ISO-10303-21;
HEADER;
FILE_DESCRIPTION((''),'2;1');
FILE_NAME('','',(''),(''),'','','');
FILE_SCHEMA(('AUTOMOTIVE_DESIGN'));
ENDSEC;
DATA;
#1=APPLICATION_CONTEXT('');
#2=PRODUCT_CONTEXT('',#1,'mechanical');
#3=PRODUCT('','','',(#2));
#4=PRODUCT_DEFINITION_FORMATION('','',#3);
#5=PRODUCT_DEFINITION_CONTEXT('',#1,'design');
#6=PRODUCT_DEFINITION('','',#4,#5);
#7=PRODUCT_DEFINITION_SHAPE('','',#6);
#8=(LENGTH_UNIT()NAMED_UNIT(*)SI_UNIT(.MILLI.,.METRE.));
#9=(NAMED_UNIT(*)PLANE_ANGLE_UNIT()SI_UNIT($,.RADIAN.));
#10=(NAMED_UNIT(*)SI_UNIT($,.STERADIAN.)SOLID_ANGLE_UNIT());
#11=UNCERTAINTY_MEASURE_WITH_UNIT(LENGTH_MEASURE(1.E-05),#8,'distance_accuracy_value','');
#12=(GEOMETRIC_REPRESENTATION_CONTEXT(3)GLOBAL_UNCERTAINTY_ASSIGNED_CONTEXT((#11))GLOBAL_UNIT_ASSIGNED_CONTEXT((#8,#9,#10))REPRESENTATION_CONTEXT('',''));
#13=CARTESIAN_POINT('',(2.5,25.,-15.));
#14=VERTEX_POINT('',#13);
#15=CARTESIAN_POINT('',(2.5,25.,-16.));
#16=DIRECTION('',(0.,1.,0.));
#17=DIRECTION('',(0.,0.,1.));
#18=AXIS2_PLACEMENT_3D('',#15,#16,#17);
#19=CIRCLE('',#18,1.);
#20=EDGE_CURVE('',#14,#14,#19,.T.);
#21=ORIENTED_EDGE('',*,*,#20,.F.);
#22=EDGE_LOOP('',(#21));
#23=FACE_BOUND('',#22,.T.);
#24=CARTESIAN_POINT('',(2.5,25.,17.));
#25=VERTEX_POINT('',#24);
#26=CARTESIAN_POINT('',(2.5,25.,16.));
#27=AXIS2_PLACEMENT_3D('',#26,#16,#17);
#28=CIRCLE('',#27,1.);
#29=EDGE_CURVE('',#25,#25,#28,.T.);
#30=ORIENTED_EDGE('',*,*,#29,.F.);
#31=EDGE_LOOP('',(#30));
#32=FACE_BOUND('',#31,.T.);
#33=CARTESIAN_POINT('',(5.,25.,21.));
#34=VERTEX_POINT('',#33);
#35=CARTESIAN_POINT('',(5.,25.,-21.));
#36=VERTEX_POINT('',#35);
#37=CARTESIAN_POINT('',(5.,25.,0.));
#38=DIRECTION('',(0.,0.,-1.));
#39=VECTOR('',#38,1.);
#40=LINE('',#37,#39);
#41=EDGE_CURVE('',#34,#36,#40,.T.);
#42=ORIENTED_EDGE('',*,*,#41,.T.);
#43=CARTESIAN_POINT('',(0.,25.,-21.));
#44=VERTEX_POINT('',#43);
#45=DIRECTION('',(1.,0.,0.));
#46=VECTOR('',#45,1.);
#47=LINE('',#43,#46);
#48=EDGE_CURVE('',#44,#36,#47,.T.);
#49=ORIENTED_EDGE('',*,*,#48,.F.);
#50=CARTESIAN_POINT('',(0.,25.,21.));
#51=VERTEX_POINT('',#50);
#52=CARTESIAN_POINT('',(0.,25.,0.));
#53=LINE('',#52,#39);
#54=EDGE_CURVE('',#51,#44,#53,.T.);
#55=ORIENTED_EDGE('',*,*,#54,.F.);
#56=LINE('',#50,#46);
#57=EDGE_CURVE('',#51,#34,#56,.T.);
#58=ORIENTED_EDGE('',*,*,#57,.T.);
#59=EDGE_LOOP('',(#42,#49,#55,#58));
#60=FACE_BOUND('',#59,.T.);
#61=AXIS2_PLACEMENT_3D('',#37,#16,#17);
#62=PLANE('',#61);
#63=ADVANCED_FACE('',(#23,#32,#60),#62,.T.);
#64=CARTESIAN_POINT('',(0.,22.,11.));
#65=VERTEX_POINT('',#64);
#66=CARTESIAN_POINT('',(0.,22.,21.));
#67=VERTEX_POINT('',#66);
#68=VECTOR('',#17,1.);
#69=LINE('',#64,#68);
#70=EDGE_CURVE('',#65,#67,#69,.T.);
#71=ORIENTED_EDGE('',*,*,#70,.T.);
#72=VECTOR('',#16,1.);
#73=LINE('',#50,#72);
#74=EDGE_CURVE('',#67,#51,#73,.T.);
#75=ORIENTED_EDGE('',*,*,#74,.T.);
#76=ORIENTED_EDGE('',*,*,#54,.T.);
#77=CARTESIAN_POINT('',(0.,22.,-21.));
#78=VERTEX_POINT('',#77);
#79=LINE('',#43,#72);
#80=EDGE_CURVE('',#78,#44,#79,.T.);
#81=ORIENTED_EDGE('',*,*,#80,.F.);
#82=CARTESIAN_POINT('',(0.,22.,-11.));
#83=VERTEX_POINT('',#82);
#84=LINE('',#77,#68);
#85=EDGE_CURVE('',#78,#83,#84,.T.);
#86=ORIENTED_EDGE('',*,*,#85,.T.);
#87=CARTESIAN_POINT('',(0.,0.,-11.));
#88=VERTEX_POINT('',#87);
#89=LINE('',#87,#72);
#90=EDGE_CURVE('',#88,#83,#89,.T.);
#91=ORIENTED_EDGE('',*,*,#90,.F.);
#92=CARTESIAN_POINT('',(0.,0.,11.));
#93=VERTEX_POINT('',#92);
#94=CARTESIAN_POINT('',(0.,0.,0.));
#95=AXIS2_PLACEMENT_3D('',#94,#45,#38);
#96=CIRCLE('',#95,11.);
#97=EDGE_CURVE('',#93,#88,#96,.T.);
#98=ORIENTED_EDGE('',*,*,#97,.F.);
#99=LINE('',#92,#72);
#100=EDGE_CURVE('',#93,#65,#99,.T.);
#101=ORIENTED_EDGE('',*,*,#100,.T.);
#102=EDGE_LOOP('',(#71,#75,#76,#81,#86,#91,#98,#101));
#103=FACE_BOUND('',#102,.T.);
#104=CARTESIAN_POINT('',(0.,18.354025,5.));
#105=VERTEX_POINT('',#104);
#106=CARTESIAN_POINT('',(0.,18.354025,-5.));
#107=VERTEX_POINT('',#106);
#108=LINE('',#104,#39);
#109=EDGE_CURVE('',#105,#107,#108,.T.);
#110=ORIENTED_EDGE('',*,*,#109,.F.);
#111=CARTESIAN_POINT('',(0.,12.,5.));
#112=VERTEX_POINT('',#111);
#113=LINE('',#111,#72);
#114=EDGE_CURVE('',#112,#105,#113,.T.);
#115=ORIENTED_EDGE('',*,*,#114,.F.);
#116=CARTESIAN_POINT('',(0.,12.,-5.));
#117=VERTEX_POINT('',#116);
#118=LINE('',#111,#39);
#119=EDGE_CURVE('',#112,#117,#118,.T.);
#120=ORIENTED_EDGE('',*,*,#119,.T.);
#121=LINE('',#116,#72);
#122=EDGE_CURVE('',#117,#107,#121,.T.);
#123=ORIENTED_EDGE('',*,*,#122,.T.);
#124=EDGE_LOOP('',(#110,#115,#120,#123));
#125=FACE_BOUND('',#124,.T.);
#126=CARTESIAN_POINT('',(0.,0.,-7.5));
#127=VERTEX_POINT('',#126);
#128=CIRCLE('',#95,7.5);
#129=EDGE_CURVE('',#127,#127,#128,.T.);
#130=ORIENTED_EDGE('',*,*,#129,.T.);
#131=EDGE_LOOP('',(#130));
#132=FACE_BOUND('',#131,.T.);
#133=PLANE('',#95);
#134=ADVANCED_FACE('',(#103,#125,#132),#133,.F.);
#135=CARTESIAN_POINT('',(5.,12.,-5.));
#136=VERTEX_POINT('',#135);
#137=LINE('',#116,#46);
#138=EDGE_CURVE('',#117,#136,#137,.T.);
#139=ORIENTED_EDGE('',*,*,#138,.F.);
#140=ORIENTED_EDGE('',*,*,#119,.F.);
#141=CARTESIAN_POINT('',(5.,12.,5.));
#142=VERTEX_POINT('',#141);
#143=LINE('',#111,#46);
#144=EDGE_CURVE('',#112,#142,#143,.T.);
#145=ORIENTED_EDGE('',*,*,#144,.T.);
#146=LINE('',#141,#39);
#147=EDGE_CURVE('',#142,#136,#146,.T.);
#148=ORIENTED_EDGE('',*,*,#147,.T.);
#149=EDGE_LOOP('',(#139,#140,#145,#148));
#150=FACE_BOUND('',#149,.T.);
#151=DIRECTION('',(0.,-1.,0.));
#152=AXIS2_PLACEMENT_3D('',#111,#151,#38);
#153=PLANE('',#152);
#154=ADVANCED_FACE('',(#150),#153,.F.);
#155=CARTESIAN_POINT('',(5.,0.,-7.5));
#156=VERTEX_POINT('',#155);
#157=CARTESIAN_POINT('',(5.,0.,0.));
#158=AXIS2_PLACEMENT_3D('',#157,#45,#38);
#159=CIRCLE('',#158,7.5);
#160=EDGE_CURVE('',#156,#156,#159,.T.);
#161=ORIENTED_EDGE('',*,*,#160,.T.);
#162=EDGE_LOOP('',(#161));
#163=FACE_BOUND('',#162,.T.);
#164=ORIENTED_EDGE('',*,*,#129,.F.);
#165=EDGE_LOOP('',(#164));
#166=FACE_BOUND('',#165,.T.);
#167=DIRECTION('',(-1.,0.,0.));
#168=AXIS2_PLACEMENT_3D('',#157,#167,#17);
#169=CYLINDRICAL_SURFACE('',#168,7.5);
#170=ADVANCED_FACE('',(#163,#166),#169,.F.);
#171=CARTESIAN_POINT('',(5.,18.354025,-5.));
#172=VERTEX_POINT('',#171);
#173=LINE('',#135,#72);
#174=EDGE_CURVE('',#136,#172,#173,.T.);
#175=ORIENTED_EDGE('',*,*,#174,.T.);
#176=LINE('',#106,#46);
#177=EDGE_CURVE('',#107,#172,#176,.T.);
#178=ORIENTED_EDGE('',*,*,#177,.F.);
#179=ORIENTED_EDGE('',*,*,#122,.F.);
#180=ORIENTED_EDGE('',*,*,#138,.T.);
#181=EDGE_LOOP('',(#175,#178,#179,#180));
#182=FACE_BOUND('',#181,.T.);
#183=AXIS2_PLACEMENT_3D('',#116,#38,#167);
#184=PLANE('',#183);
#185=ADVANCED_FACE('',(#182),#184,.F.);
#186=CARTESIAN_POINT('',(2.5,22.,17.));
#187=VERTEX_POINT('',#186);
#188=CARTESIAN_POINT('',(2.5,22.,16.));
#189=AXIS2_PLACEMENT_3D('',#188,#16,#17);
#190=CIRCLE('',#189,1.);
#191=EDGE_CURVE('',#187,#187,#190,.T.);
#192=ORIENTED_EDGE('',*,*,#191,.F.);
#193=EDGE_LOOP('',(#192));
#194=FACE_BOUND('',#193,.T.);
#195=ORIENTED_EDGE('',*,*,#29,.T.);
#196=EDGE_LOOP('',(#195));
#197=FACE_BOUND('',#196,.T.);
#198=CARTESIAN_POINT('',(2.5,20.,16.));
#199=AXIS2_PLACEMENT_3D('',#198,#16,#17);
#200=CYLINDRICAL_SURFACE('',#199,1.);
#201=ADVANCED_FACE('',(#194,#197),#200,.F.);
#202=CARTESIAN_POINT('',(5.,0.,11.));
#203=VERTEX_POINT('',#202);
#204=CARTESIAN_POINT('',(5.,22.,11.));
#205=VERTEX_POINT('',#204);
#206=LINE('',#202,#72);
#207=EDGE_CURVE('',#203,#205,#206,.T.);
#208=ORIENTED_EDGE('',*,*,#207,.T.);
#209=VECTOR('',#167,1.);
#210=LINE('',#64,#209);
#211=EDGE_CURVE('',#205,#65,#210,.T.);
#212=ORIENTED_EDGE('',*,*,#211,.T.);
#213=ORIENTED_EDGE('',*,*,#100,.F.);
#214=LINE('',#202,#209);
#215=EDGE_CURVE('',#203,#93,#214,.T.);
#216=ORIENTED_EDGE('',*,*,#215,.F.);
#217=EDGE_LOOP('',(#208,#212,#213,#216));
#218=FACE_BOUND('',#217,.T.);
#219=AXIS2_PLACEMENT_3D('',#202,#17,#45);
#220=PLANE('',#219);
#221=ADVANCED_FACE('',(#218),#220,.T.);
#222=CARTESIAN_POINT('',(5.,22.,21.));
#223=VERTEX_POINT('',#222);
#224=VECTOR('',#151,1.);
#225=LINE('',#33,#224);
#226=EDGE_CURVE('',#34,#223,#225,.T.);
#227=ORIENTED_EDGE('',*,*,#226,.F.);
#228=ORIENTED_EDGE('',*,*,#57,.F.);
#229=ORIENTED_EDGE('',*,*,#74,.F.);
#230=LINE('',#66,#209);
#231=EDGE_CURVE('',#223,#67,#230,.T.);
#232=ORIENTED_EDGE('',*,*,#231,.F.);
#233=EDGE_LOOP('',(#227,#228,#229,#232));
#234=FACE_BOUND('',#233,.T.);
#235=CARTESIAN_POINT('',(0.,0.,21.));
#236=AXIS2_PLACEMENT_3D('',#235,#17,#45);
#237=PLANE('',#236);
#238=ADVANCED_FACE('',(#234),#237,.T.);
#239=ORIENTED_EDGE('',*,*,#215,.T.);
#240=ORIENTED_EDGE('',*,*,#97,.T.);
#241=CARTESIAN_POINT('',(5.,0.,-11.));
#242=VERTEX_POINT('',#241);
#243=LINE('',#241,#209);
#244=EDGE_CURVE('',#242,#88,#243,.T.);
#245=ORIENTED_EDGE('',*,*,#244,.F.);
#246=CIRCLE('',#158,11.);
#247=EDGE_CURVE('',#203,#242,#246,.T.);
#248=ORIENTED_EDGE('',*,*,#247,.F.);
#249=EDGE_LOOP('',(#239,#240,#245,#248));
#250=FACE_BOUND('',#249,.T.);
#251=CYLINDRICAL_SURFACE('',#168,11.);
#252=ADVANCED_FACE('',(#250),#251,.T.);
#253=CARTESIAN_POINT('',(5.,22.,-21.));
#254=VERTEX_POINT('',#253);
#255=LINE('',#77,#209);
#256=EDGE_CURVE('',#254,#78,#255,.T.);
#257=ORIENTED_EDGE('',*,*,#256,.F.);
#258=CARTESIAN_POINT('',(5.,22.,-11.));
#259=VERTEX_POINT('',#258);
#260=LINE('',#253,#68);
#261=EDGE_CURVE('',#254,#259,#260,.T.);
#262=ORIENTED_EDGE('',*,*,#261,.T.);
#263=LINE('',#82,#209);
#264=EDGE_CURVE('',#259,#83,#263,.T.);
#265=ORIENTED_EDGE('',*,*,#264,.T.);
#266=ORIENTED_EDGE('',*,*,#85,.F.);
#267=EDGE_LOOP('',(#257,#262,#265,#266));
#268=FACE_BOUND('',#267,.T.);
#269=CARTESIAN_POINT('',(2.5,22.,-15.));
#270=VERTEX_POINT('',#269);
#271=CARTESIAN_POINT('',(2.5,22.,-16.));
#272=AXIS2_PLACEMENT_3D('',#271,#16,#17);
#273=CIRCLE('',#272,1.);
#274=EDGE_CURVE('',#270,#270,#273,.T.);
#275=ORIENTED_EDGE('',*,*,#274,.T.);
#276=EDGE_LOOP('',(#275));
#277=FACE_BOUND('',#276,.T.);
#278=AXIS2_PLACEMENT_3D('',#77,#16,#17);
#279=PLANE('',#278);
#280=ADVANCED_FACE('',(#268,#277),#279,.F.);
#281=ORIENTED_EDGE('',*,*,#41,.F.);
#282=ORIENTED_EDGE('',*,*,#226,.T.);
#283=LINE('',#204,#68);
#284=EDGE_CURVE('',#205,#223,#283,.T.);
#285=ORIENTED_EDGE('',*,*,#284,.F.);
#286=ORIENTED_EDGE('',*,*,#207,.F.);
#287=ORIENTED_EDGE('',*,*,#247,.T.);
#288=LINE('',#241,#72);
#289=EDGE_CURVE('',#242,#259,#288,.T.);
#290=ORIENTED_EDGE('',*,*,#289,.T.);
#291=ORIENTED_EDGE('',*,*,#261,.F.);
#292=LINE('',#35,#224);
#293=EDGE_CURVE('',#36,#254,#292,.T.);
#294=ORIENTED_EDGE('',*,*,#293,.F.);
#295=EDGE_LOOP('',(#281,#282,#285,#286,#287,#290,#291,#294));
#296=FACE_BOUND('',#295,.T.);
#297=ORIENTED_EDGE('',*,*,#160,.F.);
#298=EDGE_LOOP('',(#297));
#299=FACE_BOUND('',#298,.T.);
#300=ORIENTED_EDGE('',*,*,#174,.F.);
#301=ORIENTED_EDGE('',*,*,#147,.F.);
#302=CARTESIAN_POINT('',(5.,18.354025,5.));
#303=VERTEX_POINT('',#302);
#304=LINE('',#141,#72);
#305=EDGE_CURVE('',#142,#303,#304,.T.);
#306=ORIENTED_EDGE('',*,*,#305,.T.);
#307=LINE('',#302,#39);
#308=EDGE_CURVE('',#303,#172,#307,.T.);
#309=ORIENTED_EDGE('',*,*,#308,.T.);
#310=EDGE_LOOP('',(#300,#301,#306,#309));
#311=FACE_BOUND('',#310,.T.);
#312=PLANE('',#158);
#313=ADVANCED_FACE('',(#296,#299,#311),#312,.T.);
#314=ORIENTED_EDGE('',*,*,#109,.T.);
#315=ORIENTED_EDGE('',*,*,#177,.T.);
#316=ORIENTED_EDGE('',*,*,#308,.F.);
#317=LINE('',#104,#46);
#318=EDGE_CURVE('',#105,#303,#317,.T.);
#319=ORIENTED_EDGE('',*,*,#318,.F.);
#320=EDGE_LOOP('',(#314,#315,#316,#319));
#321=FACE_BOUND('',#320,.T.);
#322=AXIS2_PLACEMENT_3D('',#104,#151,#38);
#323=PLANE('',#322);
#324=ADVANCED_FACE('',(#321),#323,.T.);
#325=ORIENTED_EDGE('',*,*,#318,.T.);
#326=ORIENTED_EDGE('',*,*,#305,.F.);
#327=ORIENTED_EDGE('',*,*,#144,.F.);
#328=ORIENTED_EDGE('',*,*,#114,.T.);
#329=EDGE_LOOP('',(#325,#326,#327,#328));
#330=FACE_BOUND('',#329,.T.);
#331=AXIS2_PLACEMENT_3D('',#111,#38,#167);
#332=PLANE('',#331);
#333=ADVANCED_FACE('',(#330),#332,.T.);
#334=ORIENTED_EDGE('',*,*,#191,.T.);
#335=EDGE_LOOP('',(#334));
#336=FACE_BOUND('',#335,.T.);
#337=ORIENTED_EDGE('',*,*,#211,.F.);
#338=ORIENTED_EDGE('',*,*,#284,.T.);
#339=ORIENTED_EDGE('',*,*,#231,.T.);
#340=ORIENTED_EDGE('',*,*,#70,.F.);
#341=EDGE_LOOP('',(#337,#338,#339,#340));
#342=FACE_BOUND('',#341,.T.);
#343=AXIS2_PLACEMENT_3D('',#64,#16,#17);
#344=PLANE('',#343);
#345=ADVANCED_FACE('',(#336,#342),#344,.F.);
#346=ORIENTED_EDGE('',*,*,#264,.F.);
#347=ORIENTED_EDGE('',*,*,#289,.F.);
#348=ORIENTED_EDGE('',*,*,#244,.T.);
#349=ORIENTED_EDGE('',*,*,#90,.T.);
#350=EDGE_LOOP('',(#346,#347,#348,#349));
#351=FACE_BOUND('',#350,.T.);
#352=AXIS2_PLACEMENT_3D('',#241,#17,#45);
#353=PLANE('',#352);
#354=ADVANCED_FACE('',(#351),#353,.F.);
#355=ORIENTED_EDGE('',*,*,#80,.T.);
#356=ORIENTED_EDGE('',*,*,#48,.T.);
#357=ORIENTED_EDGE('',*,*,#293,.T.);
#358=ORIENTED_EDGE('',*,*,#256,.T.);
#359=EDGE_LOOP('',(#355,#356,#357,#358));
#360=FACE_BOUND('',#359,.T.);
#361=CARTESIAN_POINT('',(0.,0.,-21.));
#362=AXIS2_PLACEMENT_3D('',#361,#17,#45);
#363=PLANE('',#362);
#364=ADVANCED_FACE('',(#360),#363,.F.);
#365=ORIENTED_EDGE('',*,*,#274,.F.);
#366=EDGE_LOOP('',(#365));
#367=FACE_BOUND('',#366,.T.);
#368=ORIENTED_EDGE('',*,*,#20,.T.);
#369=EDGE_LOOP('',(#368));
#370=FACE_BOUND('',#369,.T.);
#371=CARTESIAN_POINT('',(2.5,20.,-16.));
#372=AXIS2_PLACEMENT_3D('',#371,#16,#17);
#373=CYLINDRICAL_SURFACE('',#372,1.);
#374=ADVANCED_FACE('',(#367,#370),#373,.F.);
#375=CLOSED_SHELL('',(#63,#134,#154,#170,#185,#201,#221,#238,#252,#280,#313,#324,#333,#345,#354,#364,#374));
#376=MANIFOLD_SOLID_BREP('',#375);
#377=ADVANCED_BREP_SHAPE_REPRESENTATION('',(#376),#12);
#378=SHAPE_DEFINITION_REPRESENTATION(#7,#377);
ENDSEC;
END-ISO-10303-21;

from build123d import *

# Parameters (mm, degrees)
SKETCH1_R           = 11
SKETCH1_R_2         = 7.5
EXTRUDE_THIN1_DEPTH = 5
BOSS_EXTRUDE2_DEPTH = 5
SKETCH4_W           = 5
SKETCH4_H           = 3
BOSS_EXTRUDE3_DEPTH = 10
SKETCH5_R           = 1
CUT_EXTRUDE1_DEPTH  = 5
LPATTERN1_COUNT     = 2
LPATTERN1_PITCH     = 32
SKETCH6_W           = 10
SKETCH6_H           = 6.354024863
CUT_EXTRUDE2_DEPTH  = 5


with BuildPart() as part:
    # Sketch1 → Extrude-Thin1 (new body)
    with BuildSketch(Plane(origin=(0, 0, 0), x_dir=(0, 0, -1), z_dir=(1, 0, 0))):
        Circle(SKETCH1_R)
        Circle(SKETCH1_R_2, mode=Mode.SUBTRACT)
    extrude(amount=EXTRUDE_THIN1_DEPTH)

    # Sketch2 → Boss-Extrude2 (add)
    with BuildSketch(Plane(origin=(0, 0, 0), x_dir=(0, 0, -1), z_dir=(1, 0, 0))):
        with BuildLine():
            Line((-11, 0), (-11, 25))
            Line((-11, 25), (11, 25))
            Line((11, 25), (11, 0))
            ThreePointArc((11, 0), (0, 11), (-11, 0))
        make_face()
    extrude(amount=BOSS_EXTRUDE2_DEPTH)

    # Sketch4 → Boss-Extrude3 (add)
    with BuildSketch(Plane(origin=(0, 0, -11), x_dir=(-1, 0, 0), z_dir=(0, 0, -1))):
        with Locations((-2.5, 23.5)):
            Rectangle(SKETCH4_W, SKETCH4_H)
    boss_extrude3 = extrude(amount=BOSS_EXTRUDE3_DEPTH)

    # Sketch5 → Cut-Extrude1 (cut)
    with BuildSketch(Plane(origin=(0, 25, 0), x_dir=(1, 0, 0), z_dir=(0, 1, 0))):
        with Locations(Location((2.5, 16, 0), (0, 0, 270))):
            Circle(SKETCH5_R)
    cut_extrude1 = extrude(amount=-CUT_EXTRUDE1_DEPTH, mode=Mode.SUBTRACT)

    # LPattern1: Boss-Extrude3, Cut-Extrude1 ×2
    with Locations(*[(0, 0, i * LPATTERN1_PITCH) for i in range(1, LPATTERN1_COUNT)]):
        add(boss_extrude3)
        add(cut_extrude1, mode=Mode.SUBTRACT)

    # Sketch6 → Cut-Extrude2 (cut)
    with BuildSketch(Plane(origin=(5, 0, 0), x_dir=(0, 0, -1), z_dir=(1, 0, 0))):
        with Locations((0, 15.177012432)):
            Rectangle(SKETCH6_W, SKETCH6_H)
    extrude(amount=-CUT_EXTRUDE2_DEPTH, mode=Mode.SUBTRACT)


solid = part.part
